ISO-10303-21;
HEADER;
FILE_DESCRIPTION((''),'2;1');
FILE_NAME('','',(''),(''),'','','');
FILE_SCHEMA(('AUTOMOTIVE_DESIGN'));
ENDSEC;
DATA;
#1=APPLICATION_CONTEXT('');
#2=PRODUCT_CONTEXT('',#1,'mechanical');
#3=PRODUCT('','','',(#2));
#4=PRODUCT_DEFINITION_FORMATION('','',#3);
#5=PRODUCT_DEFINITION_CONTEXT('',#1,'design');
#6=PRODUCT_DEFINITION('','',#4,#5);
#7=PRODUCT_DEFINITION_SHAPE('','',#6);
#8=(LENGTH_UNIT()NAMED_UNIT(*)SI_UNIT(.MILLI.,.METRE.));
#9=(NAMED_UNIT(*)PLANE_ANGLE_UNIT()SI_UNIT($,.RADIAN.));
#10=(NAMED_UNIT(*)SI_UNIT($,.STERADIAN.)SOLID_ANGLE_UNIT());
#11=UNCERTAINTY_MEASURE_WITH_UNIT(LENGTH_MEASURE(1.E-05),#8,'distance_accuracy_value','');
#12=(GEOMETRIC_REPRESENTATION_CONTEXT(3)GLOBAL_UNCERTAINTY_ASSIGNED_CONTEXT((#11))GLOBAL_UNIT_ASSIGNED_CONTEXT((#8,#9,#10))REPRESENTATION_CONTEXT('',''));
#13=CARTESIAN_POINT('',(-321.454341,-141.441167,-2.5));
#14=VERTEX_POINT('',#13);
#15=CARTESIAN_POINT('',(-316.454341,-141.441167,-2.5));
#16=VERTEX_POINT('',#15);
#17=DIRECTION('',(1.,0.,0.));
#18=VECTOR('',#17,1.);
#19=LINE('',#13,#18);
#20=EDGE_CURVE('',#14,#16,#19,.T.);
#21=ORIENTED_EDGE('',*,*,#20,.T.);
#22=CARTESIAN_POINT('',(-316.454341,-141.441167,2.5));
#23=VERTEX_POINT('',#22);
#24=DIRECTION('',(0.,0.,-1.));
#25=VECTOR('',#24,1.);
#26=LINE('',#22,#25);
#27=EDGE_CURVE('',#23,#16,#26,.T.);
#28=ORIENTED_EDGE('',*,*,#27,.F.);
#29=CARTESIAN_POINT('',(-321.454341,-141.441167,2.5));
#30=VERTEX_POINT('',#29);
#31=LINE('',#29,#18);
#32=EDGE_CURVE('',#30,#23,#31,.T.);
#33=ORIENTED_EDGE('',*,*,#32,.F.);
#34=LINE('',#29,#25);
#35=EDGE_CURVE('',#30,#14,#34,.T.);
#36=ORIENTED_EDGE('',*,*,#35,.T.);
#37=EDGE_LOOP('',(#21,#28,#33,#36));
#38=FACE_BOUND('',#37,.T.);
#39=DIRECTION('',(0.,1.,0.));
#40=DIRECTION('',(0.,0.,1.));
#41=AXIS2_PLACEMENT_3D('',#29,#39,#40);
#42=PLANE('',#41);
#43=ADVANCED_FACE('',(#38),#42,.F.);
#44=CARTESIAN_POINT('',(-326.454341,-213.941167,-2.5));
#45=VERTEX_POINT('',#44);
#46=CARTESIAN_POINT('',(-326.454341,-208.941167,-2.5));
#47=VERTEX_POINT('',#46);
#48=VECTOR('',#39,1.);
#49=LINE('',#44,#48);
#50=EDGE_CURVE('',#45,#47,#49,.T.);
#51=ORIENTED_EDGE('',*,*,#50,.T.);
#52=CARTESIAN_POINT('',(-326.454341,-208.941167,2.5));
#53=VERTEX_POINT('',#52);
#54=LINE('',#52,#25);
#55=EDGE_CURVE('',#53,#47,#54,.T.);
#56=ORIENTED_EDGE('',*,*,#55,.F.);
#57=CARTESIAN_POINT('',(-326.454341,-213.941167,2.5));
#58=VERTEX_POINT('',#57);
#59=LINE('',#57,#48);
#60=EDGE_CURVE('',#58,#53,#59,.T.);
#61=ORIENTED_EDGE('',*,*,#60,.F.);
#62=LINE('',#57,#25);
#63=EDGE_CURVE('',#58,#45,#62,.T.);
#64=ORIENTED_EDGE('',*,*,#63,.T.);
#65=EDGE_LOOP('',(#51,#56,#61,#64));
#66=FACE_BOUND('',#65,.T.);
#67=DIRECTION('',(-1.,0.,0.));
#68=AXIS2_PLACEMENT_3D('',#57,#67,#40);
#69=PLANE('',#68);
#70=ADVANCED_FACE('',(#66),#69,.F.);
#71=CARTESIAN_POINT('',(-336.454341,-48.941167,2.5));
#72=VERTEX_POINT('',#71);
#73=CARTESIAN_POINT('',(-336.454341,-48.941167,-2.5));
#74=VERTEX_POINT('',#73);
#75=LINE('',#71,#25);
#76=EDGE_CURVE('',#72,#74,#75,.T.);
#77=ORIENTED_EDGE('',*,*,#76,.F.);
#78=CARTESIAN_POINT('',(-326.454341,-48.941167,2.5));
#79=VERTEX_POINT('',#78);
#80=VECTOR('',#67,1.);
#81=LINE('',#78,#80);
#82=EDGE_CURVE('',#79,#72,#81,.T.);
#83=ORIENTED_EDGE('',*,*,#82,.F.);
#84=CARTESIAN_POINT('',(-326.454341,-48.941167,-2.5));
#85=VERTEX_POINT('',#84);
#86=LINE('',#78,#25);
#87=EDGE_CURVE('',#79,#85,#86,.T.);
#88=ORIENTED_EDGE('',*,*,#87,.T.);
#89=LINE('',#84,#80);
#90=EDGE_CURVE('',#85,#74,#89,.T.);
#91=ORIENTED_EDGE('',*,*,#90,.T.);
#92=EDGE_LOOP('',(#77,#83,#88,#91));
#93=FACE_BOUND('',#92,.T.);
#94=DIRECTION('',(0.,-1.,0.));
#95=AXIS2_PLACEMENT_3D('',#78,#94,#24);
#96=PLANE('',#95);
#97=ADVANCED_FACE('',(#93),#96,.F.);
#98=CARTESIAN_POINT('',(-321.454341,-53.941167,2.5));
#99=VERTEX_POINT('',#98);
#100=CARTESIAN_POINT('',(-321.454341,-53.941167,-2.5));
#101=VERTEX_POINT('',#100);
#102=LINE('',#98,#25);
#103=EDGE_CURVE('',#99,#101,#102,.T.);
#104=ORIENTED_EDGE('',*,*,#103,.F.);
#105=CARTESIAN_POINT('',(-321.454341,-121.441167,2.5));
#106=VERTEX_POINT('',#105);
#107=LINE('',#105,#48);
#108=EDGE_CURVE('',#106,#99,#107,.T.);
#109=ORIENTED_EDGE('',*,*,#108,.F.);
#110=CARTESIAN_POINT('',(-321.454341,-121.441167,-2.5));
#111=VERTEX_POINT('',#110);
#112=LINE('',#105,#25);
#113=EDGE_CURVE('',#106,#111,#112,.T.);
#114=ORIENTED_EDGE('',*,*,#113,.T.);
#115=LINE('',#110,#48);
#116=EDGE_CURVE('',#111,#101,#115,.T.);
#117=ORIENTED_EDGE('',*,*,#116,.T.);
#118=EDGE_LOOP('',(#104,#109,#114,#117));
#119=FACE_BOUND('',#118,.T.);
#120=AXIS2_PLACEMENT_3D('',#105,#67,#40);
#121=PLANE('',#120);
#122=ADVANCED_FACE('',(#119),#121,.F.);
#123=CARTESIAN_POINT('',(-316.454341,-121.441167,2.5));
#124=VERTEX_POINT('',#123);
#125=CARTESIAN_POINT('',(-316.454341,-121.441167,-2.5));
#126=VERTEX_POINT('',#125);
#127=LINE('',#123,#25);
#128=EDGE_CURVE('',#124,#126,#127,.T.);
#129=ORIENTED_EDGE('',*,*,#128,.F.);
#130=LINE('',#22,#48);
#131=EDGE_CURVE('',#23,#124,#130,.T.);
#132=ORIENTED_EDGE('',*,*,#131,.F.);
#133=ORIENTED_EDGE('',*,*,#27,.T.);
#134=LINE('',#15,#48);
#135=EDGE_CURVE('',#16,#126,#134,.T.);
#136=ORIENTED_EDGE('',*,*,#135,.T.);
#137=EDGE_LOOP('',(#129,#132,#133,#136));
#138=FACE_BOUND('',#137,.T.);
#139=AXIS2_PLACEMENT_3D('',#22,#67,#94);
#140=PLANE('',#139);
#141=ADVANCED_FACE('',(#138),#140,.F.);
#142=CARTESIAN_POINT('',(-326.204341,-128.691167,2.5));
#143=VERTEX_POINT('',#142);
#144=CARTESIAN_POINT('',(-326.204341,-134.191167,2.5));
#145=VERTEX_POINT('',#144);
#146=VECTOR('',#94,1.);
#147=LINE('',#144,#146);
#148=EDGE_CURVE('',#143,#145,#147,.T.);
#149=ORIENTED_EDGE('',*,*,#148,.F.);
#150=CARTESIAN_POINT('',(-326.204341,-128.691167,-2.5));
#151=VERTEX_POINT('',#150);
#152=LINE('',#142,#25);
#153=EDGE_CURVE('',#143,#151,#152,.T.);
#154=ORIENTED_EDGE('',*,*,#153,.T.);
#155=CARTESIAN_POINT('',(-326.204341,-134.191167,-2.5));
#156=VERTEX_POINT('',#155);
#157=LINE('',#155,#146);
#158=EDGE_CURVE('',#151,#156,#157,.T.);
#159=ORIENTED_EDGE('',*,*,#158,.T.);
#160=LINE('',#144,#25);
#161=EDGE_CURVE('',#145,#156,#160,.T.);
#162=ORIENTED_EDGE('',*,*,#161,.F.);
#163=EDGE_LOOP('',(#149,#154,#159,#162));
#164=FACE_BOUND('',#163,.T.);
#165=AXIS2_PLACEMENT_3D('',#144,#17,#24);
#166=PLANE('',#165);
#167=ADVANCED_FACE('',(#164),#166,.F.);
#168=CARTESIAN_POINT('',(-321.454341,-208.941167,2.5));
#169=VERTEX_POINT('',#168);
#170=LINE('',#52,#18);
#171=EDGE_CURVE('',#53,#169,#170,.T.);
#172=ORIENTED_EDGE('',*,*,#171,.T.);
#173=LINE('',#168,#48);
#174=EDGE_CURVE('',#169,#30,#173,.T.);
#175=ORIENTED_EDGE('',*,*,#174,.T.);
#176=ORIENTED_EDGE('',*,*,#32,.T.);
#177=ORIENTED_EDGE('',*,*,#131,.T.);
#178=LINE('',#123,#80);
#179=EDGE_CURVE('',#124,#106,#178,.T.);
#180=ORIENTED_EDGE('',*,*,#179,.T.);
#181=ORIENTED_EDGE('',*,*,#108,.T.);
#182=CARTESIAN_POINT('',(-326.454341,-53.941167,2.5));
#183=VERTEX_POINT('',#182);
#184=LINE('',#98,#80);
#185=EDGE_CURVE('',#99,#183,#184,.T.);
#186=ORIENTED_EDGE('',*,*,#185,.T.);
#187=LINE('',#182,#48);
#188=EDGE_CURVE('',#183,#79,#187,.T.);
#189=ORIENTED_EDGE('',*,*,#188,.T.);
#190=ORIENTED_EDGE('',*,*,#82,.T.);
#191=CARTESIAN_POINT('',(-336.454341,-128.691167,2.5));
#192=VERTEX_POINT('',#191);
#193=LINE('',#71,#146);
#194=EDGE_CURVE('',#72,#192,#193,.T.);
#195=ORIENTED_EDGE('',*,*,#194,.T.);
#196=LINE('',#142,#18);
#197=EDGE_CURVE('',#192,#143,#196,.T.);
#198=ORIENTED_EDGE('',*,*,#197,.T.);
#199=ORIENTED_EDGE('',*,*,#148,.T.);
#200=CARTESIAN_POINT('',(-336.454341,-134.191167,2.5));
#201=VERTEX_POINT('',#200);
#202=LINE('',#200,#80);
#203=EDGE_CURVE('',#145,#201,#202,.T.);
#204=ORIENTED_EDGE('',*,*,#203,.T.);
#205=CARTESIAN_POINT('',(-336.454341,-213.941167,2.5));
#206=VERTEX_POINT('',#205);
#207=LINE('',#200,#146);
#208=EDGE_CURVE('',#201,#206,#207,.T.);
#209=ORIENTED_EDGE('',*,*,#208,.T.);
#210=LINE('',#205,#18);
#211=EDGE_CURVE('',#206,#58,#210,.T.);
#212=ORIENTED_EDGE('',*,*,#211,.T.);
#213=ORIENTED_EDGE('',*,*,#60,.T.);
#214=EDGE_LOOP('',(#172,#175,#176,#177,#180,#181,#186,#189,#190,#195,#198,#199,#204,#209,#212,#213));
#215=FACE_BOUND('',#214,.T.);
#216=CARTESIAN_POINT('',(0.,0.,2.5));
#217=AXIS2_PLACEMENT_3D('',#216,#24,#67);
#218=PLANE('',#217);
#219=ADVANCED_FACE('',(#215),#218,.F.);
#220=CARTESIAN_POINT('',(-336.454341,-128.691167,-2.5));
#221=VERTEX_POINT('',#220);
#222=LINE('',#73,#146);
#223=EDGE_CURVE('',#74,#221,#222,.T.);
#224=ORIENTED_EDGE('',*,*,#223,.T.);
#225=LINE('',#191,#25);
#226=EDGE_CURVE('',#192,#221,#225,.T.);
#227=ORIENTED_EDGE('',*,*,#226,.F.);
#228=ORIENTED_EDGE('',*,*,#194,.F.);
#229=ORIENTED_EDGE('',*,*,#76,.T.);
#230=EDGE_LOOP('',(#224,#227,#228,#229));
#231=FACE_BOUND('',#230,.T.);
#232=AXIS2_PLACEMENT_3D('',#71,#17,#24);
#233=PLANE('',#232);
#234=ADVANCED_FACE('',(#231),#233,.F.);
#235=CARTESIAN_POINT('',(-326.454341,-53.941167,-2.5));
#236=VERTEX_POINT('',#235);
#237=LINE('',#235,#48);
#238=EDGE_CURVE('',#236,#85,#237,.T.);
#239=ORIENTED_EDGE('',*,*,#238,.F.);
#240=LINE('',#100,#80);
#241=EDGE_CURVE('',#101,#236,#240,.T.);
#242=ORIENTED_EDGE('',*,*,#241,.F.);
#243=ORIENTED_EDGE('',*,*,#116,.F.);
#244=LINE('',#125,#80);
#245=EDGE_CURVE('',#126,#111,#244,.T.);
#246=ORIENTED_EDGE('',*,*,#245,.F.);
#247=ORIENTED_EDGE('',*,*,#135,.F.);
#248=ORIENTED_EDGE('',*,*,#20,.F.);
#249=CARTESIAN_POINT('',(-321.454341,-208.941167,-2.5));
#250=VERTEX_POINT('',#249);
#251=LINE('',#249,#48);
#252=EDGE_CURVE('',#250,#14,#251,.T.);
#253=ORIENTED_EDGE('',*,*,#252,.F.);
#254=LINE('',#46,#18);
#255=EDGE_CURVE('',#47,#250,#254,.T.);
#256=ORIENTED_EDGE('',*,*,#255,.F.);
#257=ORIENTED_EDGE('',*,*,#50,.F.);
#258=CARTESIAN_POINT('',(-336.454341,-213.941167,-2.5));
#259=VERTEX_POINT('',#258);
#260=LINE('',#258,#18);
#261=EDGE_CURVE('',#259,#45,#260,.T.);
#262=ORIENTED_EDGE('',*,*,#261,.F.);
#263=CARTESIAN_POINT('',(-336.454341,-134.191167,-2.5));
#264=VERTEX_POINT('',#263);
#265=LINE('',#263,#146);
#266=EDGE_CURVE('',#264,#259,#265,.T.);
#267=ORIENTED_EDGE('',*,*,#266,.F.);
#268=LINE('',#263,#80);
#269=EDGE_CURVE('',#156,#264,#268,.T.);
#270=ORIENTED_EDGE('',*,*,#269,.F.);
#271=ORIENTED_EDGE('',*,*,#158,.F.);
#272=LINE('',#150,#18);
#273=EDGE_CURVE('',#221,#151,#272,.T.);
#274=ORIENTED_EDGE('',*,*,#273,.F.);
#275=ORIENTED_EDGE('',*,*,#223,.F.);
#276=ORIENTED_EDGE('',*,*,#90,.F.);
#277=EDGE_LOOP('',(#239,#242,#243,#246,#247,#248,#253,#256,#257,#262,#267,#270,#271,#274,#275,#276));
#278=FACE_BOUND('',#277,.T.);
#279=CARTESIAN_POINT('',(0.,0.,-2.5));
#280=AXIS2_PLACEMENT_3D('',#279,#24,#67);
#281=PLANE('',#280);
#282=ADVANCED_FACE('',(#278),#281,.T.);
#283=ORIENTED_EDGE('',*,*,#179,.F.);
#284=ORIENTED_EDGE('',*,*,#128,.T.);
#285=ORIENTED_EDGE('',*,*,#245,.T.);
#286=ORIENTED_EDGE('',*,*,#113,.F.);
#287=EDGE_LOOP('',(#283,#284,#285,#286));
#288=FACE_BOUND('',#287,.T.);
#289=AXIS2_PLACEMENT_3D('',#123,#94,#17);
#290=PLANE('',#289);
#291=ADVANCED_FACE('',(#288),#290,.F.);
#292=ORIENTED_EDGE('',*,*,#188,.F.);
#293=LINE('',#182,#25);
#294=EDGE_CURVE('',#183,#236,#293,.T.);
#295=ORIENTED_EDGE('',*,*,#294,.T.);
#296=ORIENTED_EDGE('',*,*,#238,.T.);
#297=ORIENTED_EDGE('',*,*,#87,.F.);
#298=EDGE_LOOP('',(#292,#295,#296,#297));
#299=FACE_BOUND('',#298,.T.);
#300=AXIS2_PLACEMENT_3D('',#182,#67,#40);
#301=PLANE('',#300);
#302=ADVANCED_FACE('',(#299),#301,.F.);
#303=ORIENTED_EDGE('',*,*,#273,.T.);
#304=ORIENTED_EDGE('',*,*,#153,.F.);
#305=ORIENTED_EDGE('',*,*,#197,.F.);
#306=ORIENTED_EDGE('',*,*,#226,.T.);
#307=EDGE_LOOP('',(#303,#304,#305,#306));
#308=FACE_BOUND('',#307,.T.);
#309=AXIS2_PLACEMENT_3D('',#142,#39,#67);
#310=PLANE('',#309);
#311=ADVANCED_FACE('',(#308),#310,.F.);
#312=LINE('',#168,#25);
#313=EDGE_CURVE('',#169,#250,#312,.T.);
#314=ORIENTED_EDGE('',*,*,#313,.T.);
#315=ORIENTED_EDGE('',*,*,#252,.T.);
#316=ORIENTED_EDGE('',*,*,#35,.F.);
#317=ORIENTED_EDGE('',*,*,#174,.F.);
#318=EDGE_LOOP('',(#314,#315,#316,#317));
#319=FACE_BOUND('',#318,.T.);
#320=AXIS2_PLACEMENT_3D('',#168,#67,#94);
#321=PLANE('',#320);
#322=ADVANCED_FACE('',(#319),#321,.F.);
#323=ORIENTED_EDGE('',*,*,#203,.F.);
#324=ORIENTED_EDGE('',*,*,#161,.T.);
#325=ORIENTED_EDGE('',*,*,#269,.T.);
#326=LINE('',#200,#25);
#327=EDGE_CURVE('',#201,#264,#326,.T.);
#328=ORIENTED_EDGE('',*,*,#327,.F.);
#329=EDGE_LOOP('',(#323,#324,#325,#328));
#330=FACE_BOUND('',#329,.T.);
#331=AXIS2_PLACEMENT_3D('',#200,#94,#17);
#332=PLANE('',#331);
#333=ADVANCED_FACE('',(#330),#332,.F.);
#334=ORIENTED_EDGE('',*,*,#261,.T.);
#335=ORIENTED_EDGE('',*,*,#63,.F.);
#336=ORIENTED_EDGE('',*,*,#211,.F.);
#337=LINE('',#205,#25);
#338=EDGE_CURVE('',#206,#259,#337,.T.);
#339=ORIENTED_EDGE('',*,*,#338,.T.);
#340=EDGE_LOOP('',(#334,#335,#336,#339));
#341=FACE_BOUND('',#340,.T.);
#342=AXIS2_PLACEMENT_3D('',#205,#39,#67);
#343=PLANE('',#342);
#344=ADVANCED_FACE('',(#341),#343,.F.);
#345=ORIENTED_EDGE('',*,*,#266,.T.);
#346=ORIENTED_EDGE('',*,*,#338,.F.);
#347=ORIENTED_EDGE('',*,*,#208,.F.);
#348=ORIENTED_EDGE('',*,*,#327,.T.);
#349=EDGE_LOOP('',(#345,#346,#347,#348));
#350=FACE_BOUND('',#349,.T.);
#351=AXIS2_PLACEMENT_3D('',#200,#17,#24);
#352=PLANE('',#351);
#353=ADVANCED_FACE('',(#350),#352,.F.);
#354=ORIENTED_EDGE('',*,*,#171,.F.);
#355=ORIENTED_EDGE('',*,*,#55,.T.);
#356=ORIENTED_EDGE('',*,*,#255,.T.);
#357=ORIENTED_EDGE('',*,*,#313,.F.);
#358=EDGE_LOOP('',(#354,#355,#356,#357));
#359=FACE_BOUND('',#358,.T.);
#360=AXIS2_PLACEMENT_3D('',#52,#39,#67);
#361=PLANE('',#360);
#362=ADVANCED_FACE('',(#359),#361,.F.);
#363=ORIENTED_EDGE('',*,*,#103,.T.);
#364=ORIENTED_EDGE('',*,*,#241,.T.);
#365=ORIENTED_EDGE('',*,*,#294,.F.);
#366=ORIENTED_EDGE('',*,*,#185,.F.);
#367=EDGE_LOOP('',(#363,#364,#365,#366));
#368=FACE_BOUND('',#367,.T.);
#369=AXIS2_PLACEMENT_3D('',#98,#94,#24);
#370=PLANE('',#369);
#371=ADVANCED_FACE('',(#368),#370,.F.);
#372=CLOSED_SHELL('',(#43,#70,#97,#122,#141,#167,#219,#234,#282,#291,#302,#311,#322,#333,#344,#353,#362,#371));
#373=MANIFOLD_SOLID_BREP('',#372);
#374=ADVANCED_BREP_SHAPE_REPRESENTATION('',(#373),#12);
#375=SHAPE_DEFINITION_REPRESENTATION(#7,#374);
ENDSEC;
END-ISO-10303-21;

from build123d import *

# Parameters (mm, degrees)
BOSS_EXTRUDE1_DEPTH = 2.5


with BuildPart() as part:
    # Sketch2 → Boss-Extrude1 (new, symmetric)
    with BuildSketch(Plane.XY):
        Polygon((-326.454340614, -53.941167375), (-326.454340614, -48.941167375), (-336.454340614, -48.941167375), (-336.454340614, -128.691167375), (-326.204340614, -128.691167375), (-326.204340614, -134.191167375), (-336.454340614, -134.191167375), (-336.454340614, -213.941167375), (-326.454340614, -213.941167375), (-326.454340614, -208.941167375), (-321.454340614, -208.941167375), (-321.454340614, -141.441167375), (-316.454340614, -141.441167375), (-316.454340614, -121.441167375), (-321.454340614, -121.441167375), (-321.454340614, -53.941167375), align=None)
    extrude(amount=BOSS_EXTRUDE1_DEPTH, both=True)


solid = part.part
